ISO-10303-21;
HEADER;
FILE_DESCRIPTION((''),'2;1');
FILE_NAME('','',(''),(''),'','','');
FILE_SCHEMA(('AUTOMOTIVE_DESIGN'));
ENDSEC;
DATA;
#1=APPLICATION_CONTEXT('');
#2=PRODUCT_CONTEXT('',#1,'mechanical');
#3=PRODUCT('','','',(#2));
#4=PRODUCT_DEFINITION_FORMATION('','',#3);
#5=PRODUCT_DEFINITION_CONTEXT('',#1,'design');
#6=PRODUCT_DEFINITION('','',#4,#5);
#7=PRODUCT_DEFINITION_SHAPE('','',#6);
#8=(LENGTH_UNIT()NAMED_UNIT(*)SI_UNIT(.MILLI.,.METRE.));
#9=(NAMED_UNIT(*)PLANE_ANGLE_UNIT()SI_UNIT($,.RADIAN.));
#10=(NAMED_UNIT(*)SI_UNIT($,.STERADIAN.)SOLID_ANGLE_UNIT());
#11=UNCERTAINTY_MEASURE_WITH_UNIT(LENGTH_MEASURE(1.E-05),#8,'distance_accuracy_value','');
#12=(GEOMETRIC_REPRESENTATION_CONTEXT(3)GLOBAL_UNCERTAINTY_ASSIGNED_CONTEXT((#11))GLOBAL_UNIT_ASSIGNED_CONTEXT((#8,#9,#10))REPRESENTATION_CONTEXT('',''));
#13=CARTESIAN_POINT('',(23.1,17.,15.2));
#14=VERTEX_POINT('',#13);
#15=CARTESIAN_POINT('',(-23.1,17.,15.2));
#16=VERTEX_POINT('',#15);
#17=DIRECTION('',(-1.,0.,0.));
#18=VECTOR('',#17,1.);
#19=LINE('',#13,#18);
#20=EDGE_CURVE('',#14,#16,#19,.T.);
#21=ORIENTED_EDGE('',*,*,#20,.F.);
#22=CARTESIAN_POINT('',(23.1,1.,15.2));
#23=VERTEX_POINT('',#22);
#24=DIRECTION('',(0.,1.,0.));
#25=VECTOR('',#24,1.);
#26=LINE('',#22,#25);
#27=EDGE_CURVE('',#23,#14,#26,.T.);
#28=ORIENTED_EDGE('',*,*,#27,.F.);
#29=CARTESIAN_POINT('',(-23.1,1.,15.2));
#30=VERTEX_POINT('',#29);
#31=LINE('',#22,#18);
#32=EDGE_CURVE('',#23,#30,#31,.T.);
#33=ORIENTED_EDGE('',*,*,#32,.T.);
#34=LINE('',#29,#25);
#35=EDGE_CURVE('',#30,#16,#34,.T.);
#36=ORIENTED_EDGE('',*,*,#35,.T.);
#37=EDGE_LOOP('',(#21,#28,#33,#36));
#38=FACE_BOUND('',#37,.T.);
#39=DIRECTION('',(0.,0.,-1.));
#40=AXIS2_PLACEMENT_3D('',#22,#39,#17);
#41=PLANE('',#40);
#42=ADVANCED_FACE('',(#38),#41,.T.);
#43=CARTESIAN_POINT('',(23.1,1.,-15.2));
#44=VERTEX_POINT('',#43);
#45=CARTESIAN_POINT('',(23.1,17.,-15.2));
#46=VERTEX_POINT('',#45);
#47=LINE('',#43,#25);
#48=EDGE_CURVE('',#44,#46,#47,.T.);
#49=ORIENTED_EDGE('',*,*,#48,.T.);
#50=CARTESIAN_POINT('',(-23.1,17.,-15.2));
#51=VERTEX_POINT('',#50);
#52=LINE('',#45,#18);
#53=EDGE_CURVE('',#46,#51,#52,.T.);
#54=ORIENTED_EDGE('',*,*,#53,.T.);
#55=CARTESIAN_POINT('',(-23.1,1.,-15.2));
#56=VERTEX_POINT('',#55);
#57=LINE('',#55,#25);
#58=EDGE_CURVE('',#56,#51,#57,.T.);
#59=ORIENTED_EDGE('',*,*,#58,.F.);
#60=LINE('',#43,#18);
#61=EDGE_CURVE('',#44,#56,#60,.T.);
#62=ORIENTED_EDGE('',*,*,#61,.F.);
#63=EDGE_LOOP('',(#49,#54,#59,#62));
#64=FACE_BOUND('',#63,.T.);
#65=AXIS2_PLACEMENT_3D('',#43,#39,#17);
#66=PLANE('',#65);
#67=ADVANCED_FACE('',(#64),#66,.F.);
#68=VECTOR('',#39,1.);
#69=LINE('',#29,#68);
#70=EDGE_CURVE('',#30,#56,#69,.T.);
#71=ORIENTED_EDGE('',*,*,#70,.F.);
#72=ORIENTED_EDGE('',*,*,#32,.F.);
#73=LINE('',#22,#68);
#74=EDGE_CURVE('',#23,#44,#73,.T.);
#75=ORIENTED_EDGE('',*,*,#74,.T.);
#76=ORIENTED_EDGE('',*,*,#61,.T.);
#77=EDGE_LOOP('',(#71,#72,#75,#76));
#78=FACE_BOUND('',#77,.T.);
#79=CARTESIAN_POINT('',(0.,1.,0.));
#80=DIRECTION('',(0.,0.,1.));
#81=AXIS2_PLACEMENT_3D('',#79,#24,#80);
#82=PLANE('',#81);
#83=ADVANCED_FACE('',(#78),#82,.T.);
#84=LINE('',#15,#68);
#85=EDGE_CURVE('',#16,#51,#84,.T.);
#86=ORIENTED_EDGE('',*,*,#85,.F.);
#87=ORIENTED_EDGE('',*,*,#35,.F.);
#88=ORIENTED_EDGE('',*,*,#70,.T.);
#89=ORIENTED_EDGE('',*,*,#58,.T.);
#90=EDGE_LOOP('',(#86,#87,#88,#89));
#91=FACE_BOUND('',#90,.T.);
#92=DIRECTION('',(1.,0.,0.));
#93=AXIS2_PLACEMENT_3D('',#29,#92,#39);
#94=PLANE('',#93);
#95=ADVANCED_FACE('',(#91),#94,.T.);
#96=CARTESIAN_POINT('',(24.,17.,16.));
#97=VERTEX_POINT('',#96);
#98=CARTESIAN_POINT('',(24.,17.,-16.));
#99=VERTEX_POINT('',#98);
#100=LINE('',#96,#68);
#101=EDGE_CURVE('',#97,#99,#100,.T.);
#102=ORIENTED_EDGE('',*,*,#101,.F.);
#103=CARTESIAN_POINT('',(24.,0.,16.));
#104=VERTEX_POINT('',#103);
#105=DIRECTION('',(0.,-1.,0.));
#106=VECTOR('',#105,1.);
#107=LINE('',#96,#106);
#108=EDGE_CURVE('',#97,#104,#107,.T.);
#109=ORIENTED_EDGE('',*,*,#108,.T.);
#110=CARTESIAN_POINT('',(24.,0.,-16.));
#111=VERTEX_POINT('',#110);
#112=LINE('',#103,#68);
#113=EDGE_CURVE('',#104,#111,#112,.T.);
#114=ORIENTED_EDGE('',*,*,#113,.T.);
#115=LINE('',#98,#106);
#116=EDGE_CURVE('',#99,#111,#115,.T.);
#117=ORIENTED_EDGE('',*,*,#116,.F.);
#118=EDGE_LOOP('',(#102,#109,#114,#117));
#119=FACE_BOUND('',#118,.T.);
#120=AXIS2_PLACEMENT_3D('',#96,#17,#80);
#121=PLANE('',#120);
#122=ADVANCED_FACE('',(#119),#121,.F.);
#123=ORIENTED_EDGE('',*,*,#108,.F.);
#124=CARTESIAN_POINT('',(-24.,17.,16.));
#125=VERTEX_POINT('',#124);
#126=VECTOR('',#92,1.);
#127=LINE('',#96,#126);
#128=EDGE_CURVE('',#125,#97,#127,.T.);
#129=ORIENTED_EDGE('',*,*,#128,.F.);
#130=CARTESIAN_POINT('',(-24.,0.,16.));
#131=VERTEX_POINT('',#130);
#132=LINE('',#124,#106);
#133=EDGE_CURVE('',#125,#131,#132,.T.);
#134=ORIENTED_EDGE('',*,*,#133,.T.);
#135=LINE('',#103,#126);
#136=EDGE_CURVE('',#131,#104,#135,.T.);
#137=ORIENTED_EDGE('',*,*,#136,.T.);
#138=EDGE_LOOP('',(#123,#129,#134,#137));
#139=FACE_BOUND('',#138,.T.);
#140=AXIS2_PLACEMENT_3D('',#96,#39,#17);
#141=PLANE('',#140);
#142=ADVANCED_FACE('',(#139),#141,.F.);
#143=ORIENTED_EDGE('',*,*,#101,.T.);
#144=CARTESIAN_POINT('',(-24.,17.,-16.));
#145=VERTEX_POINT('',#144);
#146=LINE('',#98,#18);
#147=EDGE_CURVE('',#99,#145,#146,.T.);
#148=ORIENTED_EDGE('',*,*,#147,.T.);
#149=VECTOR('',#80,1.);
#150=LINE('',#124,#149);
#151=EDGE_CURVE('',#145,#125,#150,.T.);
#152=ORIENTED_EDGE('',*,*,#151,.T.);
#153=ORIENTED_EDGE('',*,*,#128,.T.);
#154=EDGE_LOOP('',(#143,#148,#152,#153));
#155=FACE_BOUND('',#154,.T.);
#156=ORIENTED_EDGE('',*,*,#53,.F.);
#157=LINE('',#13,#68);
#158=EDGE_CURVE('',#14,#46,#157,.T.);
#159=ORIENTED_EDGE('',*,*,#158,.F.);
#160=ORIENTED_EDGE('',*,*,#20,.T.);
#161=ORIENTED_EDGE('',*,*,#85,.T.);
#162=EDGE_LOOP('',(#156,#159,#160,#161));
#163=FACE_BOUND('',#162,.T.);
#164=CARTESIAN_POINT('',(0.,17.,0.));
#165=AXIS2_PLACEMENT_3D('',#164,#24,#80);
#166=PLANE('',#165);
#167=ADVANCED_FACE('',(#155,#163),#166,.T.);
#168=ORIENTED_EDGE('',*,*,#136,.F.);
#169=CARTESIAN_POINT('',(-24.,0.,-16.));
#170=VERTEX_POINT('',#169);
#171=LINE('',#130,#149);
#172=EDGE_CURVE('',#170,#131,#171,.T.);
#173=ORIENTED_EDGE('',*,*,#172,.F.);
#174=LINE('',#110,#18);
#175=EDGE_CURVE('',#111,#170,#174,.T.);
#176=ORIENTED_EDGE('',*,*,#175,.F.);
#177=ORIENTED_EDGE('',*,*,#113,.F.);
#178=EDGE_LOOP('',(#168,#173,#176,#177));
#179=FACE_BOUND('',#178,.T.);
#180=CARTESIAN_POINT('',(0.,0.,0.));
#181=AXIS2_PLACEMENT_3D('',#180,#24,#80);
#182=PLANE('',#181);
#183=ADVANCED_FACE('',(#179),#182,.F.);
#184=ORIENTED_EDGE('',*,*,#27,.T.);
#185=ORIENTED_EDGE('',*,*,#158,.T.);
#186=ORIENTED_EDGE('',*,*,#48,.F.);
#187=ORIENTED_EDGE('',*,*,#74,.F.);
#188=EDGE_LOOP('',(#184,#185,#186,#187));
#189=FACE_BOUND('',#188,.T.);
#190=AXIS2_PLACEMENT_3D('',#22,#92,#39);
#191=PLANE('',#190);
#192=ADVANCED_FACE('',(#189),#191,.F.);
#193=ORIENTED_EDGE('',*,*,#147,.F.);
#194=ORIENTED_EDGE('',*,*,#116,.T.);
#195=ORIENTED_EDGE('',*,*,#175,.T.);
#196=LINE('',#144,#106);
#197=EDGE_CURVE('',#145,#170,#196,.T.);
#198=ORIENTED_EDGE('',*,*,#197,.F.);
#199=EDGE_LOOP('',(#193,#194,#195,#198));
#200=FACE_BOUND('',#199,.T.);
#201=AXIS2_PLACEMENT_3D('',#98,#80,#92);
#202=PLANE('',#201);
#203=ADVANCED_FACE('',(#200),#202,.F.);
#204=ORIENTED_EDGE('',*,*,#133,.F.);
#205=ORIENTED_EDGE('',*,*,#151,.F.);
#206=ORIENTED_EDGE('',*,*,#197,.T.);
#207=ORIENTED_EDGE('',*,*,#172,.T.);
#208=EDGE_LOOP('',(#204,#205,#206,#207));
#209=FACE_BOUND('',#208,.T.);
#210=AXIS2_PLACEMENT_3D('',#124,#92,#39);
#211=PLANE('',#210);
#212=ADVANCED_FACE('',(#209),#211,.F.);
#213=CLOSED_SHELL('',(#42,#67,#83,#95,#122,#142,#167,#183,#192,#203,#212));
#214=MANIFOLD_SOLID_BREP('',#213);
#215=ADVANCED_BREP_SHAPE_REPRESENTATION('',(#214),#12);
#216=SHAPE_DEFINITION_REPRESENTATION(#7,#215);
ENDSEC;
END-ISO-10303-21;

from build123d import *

# Parameters (mm, degrees)
ESQUISSE1_W             = 48
ESQUISSE1_H             = 32
BOSS_EXTRU_1_DEPTH      = 17
ESQUISSE3_W             = 46.2
ESQUISSE3_H             = 30.4
ENL_V_MAT_EXTRU_1_DEPTH = 16


with BuildPart() as part:
    # Esquisse1 → Boss.-Extru.1 (new body)
    with BuildSketch(Plane(origin=(0, 0, 0), x_dir=(1, 0, 0), z_dir=(0, 1, 0))):
        Rectangle(ESQUISSE1_W, ESQUISSE1_H)
    extrude(amount=BOSS_EXTRU_1_DEPTH)

    # Esquisse3 → Enlèv. mat.-Extru.1 (cut)
    with BuildSketch(Plane(origin=(0, 17, 0), x_dir=(1, 0, 0), z_dir=(0, 1, 0))):
        Rectangle(ESQUISSE3_W, ESQUISSE3_H)
    extrude(amount=-ENL_V_MAT_EXTRU_1_DEPTH, mode=Mode.SUBTRACT)


solid = part.part
